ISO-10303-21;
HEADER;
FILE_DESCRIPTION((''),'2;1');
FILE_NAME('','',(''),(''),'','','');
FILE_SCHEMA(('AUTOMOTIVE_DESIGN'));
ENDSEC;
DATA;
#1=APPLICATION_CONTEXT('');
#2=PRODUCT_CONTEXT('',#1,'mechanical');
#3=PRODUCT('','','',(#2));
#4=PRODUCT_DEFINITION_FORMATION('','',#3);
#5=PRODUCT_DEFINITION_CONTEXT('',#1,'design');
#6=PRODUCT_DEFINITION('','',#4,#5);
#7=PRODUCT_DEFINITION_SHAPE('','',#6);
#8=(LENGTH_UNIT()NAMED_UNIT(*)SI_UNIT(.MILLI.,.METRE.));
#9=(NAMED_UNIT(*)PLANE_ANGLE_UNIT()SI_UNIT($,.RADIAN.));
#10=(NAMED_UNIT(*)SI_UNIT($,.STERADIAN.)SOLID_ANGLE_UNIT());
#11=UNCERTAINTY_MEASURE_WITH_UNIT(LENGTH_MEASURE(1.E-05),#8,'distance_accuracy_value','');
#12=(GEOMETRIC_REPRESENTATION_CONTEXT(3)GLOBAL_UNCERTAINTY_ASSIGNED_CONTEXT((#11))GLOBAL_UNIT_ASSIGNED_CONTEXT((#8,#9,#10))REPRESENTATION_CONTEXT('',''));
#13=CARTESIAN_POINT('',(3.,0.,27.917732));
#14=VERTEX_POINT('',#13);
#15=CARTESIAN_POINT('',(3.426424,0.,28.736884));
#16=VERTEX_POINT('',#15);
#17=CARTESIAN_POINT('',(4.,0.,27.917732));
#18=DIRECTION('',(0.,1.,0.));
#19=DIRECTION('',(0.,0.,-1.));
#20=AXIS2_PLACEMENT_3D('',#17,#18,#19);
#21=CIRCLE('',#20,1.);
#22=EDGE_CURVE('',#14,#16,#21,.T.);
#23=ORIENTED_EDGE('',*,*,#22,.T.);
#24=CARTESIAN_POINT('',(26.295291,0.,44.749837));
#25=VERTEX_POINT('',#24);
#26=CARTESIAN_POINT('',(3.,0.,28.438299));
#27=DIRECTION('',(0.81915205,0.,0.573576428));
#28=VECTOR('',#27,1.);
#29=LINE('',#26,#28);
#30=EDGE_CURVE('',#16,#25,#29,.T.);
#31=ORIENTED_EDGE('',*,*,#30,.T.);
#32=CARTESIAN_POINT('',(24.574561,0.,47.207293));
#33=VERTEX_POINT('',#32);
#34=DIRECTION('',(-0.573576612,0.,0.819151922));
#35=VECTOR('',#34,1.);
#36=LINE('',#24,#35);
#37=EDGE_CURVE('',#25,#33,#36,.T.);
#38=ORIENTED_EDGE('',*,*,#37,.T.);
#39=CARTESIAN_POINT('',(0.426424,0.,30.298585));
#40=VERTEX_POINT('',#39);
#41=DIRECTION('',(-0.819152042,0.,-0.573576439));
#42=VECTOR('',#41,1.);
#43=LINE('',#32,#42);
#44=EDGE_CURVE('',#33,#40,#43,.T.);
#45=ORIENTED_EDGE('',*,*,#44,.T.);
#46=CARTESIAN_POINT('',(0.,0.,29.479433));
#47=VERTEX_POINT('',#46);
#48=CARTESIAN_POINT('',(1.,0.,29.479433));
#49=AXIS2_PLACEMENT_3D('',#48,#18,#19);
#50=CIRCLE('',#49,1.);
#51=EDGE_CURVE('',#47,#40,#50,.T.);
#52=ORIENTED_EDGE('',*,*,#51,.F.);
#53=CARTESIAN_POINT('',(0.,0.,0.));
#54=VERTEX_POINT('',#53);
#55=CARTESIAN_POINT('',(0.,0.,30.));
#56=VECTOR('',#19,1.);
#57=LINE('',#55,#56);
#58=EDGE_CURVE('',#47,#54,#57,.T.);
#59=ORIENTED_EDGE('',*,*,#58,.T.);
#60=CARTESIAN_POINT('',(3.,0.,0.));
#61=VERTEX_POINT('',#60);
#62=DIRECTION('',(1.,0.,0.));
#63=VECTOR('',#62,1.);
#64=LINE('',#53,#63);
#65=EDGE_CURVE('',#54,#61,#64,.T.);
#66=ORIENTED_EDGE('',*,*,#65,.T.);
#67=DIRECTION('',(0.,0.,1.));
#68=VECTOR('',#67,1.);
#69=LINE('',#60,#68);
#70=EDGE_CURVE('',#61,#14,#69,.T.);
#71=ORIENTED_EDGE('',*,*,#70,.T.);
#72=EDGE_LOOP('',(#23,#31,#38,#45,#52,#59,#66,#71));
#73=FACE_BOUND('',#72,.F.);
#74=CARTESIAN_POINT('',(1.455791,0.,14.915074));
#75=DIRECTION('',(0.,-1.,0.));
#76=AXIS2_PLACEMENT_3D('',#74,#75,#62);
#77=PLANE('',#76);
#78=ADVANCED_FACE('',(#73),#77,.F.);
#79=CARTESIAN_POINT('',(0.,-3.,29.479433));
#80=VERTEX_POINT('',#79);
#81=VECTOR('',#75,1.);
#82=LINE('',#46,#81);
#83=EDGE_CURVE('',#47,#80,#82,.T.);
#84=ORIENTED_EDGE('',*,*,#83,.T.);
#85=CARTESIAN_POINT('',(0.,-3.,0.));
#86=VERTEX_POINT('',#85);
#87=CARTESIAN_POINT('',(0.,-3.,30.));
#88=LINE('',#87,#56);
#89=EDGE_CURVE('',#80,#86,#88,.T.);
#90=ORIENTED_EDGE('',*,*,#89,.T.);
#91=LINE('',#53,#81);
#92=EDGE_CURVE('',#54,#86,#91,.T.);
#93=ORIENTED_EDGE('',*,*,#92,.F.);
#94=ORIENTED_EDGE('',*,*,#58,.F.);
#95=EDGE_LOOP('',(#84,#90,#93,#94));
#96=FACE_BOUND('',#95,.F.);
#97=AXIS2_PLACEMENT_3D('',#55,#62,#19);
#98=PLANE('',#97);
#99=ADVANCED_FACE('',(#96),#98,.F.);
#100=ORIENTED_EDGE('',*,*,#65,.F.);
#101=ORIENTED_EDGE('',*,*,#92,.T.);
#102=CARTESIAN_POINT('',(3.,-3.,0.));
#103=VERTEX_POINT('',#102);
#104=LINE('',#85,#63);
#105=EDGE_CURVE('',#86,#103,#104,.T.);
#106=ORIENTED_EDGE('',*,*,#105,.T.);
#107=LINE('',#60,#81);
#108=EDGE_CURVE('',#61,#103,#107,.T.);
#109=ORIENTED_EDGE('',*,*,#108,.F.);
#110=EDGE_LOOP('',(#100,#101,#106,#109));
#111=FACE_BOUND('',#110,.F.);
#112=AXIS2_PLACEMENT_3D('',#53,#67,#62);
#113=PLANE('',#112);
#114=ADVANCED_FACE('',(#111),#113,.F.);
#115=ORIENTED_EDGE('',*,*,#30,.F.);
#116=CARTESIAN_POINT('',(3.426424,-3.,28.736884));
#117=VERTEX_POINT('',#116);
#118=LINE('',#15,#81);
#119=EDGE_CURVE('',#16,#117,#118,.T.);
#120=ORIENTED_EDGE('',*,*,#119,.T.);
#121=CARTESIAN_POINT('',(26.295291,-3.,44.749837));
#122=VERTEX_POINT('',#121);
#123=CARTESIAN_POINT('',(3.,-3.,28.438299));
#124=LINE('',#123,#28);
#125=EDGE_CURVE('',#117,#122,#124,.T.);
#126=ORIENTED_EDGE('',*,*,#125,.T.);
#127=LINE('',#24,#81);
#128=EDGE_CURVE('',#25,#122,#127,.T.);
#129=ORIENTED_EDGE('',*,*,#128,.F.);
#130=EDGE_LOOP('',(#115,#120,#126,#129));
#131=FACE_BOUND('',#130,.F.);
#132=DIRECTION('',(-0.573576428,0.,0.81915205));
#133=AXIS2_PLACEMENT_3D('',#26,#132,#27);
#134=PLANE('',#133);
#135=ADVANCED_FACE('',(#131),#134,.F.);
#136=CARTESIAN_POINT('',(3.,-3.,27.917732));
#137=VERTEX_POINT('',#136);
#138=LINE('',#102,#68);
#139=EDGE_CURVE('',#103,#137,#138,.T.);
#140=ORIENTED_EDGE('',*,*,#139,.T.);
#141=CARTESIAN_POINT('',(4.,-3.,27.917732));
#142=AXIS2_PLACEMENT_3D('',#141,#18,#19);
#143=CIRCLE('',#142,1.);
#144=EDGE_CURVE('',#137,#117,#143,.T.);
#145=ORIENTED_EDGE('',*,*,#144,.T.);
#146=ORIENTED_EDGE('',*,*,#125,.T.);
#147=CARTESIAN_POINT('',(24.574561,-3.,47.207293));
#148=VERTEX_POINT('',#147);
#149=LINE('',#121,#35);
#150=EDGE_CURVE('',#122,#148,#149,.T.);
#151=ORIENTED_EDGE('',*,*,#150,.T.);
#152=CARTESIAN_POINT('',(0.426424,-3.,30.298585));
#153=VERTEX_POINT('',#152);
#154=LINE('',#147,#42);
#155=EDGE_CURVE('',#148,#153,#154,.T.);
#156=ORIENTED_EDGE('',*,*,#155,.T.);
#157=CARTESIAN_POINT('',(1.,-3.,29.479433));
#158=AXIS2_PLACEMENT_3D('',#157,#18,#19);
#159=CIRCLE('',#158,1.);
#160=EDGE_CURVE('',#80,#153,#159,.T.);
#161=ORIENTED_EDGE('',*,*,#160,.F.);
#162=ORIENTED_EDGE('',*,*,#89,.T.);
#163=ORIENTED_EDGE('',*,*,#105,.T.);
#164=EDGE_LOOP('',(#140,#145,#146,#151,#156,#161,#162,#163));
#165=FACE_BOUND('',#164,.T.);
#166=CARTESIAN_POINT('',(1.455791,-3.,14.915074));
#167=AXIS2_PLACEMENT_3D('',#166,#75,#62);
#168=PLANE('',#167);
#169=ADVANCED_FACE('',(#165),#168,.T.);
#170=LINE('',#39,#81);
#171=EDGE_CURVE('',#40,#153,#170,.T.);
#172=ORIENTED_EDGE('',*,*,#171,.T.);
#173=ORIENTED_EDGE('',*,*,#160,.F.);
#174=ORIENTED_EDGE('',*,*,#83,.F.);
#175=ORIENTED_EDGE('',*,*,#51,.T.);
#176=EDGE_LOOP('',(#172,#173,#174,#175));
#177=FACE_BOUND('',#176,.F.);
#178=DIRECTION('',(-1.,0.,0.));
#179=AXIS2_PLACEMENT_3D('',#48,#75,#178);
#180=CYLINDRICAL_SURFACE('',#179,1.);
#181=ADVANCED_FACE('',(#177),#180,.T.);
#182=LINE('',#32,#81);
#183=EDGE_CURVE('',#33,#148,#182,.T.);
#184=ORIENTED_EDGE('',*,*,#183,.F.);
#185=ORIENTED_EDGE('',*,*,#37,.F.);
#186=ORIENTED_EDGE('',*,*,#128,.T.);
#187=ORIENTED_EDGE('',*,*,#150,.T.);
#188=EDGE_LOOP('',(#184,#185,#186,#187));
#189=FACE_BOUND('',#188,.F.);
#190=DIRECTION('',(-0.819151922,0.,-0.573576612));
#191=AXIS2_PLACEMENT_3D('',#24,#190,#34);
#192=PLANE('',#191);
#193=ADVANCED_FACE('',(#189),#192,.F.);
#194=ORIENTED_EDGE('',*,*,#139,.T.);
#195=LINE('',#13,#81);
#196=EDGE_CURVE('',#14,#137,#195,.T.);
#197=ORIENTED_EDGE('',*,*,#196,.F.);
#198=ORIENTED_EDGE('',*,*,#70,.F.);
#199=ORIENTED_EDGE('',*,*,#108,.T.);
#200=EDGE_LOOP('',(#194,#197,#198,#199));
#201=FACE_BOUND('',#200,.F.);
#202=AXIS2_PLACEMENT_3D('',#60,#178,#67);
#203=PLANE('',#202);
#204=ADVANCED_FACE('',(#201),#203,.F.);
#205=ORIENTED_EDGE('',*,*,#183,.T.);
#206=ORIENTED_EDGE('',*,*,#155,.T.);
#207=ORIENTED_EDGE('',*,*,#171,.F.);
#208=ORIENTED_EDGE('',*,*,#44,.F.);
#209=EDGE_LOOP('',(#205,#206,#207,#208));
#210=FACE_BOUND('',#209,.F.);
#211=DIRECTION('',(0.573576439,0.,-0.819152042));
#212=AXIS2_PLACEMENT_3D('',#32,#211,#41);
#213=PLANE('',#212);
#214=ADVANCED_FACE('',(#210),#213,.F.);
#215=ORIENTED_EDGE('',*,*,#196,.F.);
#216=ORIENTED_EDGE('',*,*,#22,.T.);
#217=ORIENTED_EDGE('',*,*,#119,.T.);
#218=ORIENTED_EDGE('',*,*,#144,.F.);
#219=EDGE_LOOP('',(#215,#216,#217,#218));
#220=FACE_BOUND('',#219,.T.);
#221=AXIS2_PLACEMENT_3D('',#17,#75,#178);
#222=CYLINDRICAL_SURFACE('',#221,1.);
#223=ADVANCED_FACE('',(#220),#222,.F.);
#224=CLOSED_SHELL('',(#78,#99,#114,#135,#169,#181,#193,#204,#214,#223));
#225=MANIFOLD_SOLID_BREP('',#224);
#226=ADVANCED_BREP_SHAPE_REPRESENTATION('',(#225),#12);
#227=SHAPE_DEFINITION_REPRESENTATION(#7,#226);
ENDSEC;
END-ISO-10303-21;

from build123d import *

# Parameters (mm, degrees)
F1_DEPTH = 3
F2_R     = 1


with BuildPart() as f1:
    # F0 (on Front) → F1 (new body)
    with BuildSketch(Plane.XZ):
        Polygon((0, 30), (0, 0), (3, 0), (3, 28.438299), (1.720729, 27.542544), align=None)
        Polygon((3, 30), (0, 30), (1.720729, 27.542544), (3, 28.438299), align=None)
        Polygon((24.574561, 47.207293), (0, 30), (3, 30), (3, 28.438299), (26.295291, 44.749837), align=None)
    extrude(amount=F1_DEPTH)

    # F2
    f2_edges = [f1.edges().sort_by_distance(p)[0] for p in [
        (0, -1.5, 30),
        (3, -1.5, 28.438299),
    ]]
    fillet(f2_edges, radius=F2_R)


solid = f1.part
